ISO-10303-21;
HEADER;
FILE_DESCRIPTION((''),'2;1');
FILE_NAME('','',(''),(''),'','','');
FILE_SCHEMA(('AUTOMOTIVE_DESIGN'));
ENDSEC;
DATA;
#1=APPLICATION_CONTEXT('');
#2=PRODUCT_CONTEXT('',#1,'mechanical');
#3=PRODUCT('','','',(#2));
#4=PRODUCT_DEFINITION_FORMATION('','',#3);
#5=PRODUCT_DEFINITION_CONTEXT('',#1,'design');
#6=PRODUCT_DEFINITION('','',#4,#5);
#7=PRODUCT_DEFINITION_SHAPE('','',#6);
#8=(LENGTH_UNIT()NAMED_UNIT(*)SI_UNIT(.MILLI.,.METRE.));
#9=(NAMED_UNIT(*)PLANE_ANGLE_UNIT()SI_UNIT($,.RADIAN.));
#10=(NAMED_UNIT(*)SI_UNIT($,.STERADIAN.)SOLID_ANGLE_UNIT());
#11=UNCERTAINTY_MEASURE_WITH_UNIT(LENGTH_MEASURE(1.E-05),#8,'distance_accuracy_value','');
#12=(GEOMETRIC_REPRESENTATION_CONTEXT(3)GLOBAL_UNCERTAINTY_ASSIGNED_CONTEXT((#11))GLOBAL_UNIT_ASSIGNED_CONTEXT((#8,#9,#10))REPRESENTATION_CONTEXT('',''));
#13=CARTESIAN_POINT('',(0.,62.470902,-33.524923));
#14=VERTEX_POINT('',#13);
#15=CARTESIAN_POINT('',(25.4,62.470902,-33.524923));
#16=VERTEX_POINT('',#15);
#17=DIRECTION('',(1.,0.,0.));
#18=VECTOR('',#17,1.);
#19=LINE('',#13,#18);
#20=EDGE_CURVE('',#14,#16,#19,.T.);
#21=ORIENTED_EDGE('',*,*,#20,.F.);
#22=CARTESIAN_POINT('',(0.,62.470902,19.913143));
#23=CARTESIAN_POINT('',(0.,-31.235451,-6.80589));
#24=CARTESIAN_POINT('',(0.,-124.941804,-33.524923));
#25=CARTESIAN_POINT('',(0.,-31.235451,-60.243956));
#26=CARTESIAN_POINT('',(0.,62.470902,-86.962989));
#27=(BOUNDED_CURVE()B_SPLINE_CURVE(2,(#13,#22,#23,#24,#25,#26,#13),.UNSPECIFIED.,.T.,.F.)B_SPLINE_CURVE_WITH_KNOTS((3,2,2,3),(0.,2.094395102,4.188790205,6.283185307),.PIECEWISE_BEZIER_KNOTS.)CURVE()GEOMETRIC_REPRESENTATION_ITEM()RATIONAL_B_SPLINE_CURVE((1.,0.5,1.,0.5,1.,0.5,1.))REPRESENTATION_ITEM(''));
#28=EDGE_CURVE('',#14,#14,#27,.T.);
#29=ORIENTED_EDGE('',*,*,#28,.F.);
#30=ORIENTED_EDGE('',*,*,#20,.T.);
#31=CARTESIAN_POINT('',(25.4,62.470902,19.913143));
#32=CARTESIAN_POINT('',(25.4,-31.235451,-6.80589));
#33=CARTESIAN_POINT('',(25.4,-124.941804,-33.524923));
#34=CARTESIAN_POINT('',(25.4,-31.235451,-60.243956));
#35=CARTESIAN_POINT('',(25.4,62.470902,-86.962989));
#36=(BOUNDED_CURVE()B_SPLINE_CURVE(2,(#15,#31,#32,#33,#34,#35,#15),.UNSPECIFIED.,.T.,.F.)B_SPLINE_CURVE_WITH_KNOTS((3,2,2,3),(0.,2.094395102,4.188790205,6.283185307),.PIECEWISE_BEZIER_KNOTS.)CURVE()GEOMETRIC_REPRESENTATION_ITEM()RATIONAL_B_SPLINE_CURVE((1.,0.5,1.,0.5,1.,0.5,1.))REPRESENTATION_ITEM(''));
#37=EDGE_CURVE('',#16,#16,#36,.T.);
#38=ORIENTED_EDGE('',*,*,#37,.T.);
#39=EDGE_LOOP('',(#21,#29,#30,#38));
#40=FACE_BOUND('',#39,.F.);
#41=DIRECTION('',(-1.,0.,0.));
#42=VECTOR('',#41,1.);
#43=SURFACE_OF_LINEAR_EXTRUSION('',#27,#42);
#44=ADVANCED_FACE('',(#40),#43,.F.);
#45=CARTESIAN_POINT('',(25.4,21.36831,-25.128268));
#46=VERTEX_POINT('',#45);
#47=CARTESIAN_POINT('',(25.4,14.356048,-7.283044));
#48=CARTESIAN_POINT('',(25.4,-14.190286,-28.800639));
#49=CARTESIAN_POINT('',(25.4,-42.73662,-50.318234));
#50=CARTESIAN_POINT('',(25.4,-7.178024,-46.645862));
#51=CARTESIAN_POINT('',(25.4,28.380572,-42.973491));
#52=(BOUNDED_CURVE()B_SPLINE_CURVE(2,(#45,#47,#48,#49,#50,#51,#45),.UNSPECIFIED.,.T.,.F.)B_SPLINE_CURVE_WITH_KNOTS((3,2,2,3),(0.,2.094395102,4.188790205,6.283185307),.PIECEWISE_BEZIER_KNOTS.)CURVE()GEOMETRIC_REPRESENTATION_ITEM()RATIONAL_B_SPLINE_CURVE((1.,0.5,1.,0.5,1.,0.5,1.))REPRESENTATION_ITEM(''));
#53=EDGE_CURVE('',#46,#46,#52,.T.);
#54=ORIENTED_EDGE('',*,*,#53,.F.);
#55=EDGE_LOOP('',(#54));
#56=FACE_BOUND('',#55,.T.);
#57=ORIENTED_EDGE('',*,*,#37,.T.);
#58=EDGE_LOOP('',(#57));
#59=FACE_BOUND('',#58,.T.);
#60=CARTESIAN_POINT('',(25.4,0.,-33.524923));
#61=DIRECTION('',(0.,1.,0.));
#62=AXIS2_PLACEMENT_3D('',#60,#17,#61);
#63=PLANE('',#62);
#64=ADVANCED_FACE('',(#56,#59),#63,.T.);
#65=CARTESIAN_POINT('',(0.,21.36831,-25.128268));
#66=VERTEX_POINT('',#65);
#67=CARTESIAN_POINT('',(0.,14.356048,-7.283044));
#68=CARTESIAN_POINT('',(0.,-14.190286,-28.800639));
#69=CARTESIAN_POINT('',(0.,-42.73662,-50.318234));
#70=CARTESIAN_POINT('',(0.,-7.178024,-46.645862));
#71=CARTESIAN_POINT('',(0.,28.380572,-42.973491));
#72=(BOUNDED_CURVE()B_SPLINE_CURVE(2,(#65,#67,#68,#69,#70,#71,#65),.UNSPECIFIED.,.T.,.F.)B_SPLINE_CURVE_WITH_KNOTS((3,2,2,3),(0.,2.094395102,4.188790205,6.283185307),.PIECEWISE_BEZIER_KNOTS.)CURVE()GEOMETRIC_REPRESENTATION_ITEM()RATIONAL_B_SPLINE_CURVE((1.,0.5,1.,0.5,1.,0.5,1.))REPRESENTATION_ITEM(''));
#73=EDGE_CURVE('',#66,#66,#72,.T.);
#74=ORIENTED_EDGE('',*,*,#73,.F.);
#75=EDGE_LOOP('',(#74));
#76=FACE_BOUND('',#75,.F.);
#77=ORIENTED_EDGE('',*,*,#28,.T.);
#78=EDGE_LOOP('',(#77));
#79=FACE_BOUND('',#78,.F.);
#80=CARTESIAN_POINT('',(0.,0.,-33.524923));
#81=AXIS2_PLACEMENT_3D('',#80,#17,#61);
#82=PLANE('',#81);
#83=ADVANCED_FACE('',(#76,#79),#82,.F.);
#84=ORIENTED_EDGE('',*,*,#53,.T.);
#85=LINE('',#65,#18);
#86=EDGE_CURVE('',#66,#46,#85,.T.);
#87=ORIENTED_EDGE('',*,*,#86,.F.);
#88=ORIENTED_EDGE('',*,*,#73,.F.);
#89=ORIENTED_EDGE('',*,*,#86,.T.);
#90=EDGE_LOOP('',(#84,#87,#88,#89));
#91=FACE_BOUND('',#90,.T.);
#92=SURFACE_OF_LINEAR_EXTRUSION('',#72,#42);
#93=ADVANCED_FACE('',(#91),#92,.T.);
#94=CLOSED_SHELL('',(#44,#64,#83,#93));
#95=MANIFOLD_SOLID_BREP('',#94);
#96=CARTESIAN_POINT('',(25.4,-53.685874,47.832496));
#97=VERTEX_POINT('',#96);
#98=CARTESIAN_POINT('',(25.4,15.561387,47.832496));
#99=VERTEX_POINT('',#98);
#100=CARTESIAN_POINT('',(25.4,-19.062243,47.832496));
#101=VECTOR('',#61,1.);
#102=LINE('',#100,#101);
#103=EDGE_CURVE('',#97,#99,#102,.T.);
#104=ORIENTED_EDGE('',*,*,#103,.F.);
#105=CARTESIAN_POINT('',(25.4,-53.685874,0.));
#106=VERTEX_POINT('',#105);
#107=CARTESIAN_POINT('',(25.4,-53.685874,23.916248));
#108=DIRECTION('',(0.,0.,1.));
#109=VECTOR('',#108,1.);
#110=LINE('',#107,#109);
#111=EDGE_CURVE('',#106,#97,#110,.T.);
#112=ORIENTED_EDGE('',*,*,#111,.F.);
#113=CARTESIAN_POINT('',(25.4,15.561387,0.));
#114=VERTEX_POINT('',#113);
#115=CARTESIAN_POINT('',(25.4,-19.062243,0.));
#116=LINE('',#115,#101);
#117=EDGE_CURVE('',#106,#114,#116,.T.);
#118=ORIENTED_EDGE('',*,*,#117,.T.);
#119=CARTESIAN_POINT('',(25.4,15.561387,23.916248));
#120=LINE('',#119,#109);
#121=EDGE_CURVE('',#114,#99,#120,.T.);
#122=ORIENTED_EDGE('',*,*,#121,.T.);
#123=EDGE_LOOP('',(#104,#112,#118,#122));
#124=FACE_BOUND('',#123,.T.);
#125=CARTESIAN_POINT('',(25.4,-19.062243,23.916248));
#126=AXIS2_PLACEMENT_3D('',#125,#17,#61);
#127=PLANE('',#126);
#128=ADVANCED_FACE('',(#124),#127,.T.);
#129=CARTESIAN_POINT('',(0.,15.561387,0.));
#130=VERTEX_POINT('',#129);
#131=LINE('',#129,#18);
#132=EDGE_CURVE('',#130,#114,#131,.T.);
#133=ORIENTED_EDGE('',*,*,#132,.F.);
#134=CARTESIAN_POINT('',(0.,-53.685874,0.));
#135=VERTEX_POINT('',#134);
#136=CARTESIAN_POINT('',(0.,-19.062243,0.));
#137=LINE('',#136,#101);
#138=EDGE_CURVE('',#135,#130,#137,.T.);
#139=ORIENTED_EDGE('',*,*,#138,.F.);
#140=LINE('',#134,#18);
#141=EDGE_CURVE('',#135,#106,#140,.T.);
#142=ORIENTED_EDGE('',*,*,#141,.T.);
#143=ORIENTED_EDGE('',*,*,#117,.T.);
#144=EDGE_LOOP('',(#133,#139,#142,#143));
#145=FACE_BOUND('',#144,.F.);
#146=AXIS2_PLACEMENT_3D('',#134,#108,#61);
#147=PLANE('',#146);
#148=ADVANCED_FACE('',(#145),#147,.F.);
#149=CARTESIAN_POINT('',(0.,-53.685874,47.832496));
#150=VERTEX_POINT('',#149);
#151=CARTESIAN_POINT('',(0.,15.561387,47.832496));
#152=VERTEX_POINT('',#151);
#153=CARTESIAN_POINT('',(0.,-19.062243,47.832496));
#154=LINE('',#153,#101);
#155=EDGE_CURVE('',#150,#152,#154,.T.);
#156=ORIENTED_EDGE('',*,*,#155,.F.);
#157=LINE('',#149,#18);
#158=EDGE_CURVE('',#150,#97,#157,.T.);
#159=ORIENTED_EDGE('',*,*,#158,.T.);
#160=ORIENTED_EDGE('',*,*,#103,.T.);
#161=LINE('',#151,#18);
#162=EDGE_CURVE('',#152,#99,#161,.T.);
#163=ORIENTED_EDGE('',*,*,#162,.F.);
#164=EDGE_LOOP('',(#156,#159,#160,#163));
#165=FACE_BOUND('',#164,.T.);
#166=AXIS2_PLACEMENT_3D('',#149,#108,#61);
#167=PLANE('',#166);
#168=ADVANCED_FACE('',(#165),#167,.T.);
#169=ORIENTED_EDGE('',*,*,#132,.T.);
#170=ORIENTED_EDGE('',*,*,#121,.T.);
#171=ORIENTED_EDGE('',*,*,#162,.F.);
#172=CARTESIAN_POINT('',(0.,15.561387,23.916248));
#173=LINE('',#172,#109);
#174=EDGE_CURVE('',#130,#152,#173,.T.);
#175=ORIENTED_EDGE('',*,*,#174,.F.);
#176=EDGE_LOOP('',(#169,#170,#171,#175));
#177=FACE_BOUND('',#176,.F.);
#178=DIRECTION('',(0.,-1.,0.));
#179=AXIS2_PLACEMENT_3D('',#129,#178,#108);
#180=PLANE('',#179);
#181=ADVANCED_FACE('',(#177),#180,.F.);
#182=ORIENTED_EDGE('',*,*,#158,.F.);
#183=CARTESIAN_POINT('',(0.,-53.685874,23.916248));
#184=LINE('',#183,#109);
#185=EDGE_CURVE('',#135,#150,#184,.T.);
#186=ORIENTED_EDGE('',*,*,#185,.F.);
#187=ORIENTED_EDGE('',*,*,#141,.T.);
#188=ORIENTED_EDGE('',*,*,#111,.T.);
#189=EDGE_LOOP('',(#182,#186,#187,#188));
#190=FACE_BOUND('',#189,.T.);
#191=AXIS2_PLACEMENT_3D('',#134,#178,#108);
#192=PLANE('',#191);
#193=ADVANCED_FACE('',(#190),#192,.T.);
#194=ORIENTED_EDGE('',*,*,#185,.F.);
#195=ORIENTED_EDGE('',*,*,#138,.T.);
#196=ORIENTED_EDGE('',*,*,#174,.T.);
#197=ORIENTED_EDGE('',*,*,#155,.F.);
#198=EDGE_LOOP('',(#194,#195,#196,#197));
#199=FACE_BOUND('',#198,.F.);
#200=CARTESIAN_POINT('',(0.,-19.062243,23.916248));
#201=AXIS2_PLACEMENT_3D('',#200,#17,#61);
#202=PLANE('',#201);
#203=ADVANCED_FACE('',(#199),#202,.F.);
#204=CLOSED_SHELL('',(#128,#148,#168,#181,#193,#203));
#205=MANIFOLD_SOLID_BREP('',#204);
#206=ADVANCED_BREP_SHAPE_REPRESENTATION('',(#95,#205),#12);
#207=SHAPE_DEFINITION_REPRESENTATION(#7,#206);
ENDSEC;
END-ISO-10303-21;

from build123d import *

# Parameters (mm, degrees)
F0_W     = 69.2472606897
F0_H     = 47.8324964643
F1_DEPTH = 25.4
F3_DEPTH = 25.4


with BuildPart() as f1:
    # F0 (on Right) → F1 (new body)
    with BuildSketch(Plane.YZ):
        with Locations((-19.062243402, 23.9162482321)):
            Rectangle(F0_W, F0_H)
    extrude(amount=F1_DEPTH)


with BuildPart() as f3:
    # F2 (on Right) → F3 (new body)
    with BuildSketch(Plane.YZ):
        with BuildLine():
            add(Edge.make_bspline(
                [(62.4709017575, -33.5249230266), (62.4709017575, 19.9131428433), (-31.2354508787, -6.8058900916), (-124.941803515, -33.5249230266), (-31.2354508787, -60.2439559615), (62.4709017575, -86.9629888965), (62.4709017575, -33.5249230266)],
                knots=[0, 0, 0, 2.0943951024, 2.0943951024, 4.1887902048, 4.1887902048, 6.2831853072, 6.2831853072, 6.2831853072], degree=2, weights=[1, 0.5, 1, 0.5, 1, 0.5, 1]))
        make_face()
        with BuildLine():
            add(Edge.make_bspline(
                [(21.3683098555, -25.1282677054), (14.3560476913, -7.2830442228), (-14.1902860098, -28.8006389458), (-42.7366197109, -50.3182336688), (-7.1780238456, -46.6458624285), (28.3805720197, -42.9734911881), (21.3683098555, -25.1282677054)],
                knots=[0, 0, 0, 2.0943951024, 2.0943951024, 4.1887902048, 4.1887902048, 6.2831853072, 6.2831853072, 6.2831853072], degree=2, weights=[1, 0.5, 1, 0.5, 1, 0.5, 1]))
        make_face(mode=Mode.SUBTRACT)
    extrude(amount=F3_DEPTH)


solid = Compound([f1.part, f3.part])
